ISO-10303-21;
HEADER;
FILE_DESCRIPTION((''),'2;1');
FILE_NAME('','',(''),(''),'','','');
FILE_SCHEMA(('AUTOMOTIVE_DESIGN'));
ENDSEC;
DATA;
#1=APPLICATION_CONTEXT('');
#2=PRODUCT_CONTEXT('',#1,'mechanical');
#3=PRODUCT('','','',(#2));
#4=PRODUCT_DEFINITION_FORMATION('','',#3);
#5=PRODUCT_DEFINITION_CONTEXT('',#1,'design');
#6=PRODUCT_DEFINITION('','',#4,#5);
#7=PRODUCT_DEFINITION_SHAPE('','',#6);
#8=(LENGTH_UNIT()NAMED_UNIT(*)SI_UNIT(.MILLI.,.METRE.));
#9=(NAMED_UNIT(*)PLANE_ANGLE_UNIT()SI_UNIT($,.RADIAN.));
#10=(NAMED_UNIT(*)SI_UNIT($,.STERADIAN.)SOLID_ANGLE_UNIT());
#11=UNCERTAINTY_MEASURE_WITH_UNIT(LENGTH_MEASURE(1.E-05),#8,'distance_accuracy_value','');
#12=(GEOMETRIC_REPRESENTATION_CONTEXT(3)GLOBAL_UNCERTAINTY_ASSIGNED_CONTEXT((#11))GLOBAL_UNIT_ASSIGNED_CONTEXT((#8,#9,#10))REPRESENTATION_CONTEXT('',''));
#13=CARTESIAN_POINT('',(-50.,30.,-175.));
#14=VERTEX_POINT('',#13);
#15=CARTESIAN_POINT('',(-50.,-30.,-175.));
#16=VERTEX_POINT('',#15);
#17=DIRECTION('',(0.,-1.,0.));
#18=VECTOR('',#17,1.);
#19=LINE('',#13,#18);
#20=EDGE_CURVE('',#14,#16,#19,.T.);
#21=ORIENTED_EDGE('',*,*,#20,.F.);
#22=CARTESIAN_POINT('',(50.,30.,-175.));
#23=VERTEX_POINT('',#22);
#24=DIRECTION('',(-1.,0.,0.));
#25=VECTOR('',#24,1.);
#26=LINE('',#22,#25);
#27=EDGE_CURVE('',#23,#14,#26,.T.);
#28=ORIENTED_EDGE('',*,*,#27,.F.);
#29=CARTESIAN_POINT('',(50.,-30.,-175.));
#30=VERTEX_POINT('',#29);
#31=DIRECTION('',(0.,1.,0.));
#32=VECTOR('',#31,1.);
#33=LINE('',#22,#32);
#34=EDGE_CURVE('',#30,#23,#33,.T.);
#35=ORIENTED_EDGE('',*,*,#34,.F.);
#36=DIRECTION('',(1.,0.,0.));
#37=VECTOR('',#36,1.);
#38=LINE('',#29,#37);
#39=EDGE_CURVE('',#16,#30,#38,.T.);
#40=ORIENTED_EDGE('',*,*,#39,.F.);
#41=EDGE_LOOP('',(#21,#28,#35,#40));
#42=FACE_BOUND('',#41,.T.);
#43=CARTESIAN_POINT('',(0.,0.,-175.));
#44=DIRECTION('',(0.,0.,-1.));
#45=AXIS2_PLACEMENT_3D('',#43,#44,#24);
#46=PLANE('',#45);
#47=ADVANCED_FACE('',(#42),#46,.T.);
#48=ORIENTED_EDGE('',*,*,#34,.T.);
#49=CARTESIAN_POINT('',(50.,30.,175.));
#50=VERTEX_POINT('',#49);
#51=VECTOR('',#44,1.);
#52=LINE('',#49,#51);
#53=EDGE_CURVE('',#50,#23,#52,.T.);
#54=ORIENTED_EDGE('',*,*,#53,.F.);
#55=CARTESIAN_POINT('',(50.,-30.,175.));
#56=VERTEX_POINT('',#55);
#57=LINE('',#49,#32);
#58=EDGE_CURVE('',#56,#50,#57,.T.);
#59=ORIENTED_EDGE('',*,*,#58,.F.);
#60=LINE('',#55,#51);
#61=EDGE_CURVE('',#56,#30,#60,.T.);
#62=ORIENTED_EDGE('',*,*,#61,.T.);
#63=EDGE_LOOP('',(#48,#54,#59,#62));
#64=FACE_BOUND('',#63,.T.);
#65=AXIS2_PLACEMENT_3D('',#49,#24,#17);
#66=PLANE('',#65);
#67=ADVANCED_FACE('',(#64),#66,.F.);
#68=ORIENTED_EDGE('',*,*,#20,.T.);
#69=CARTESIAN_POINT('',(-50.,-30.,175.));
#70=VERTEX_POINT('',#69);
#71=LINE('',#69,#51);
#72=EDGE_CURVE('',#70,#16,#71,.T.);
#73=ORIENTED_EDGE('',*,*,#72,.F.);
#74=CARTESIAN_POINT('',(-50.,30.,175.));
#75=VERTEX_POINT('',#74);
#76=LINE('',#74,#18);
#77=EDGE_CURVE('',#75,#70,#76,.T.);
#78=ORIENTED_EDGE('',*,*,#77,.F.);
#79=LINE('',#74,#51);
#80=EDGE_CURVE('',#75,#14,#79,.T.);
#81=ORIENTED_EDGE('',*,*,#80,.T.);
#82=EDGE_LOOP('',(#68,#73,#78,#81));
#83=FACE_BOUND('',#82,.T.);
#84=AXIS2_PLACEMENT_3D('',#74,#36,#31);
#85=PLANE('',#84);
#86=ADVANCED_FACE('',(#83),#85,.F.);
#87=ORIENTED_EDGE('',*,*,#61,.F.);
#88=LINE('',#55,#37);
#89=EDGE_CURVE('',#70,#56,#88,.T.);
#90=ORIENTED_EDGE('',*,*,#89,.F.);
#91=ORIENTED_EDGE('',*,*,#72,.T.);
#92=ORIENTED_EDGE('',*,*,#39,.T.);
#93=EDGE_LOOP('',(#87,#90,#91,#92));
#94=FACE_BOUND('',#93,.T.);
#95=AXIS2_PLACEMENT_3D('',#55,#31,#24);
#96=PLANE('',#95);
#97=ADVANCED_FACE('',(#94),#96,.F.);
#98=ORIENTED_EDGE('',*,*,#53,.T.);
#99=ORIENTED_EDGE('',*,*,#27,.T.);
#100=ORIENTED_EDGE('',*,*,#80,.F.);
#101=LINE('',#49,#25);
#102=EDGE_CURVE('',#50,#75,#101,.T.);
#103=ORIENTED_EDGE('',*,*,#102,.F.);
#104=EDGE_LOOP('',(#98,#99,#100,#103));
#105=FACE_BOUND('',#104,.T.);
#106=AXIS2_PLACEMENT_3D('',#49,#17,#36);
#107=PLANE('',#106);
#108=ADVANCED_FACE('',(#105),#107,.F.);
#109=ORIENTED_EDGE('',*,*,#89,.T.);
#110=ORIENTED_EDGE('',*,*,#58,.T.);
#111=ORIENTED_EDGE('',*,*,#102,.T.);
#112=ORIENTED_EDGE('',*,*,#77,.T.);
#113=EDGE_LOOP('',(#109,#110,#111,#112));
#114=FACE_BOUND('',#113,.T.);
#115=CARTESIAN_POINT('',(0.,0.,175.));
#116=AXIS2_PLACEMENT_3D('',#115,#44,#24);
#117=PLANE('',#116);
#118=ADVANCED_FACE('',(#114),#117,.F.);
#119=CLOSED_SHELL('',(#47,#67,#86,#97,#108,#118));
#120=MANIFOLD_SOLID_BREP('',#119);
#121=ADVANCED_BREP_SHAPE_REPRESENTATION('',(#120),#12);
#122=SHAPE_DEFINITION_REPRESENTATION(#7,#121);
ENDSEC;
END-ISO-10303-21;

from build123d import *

# Parameters (mm, degrees)
SKIZZE1_W                       = 100
SKIZZE1_H                       = 60
AUFSATZ_LINEAR_AUSTRAGEN1_DEPTH = 175


with BuildPart() as part:
    # Skizze1 → Aufsatz-Linear austragen1 (new, symmetric)
    with BuildSketch(Plane.XY):
        Rectangle(SKIZZE1_W, SKIZZE1_H)
    extrude(amount=AUFSATZ_LINEAR_AUSTRAGEN1_DEPTH, both=True)


solid = part.part
